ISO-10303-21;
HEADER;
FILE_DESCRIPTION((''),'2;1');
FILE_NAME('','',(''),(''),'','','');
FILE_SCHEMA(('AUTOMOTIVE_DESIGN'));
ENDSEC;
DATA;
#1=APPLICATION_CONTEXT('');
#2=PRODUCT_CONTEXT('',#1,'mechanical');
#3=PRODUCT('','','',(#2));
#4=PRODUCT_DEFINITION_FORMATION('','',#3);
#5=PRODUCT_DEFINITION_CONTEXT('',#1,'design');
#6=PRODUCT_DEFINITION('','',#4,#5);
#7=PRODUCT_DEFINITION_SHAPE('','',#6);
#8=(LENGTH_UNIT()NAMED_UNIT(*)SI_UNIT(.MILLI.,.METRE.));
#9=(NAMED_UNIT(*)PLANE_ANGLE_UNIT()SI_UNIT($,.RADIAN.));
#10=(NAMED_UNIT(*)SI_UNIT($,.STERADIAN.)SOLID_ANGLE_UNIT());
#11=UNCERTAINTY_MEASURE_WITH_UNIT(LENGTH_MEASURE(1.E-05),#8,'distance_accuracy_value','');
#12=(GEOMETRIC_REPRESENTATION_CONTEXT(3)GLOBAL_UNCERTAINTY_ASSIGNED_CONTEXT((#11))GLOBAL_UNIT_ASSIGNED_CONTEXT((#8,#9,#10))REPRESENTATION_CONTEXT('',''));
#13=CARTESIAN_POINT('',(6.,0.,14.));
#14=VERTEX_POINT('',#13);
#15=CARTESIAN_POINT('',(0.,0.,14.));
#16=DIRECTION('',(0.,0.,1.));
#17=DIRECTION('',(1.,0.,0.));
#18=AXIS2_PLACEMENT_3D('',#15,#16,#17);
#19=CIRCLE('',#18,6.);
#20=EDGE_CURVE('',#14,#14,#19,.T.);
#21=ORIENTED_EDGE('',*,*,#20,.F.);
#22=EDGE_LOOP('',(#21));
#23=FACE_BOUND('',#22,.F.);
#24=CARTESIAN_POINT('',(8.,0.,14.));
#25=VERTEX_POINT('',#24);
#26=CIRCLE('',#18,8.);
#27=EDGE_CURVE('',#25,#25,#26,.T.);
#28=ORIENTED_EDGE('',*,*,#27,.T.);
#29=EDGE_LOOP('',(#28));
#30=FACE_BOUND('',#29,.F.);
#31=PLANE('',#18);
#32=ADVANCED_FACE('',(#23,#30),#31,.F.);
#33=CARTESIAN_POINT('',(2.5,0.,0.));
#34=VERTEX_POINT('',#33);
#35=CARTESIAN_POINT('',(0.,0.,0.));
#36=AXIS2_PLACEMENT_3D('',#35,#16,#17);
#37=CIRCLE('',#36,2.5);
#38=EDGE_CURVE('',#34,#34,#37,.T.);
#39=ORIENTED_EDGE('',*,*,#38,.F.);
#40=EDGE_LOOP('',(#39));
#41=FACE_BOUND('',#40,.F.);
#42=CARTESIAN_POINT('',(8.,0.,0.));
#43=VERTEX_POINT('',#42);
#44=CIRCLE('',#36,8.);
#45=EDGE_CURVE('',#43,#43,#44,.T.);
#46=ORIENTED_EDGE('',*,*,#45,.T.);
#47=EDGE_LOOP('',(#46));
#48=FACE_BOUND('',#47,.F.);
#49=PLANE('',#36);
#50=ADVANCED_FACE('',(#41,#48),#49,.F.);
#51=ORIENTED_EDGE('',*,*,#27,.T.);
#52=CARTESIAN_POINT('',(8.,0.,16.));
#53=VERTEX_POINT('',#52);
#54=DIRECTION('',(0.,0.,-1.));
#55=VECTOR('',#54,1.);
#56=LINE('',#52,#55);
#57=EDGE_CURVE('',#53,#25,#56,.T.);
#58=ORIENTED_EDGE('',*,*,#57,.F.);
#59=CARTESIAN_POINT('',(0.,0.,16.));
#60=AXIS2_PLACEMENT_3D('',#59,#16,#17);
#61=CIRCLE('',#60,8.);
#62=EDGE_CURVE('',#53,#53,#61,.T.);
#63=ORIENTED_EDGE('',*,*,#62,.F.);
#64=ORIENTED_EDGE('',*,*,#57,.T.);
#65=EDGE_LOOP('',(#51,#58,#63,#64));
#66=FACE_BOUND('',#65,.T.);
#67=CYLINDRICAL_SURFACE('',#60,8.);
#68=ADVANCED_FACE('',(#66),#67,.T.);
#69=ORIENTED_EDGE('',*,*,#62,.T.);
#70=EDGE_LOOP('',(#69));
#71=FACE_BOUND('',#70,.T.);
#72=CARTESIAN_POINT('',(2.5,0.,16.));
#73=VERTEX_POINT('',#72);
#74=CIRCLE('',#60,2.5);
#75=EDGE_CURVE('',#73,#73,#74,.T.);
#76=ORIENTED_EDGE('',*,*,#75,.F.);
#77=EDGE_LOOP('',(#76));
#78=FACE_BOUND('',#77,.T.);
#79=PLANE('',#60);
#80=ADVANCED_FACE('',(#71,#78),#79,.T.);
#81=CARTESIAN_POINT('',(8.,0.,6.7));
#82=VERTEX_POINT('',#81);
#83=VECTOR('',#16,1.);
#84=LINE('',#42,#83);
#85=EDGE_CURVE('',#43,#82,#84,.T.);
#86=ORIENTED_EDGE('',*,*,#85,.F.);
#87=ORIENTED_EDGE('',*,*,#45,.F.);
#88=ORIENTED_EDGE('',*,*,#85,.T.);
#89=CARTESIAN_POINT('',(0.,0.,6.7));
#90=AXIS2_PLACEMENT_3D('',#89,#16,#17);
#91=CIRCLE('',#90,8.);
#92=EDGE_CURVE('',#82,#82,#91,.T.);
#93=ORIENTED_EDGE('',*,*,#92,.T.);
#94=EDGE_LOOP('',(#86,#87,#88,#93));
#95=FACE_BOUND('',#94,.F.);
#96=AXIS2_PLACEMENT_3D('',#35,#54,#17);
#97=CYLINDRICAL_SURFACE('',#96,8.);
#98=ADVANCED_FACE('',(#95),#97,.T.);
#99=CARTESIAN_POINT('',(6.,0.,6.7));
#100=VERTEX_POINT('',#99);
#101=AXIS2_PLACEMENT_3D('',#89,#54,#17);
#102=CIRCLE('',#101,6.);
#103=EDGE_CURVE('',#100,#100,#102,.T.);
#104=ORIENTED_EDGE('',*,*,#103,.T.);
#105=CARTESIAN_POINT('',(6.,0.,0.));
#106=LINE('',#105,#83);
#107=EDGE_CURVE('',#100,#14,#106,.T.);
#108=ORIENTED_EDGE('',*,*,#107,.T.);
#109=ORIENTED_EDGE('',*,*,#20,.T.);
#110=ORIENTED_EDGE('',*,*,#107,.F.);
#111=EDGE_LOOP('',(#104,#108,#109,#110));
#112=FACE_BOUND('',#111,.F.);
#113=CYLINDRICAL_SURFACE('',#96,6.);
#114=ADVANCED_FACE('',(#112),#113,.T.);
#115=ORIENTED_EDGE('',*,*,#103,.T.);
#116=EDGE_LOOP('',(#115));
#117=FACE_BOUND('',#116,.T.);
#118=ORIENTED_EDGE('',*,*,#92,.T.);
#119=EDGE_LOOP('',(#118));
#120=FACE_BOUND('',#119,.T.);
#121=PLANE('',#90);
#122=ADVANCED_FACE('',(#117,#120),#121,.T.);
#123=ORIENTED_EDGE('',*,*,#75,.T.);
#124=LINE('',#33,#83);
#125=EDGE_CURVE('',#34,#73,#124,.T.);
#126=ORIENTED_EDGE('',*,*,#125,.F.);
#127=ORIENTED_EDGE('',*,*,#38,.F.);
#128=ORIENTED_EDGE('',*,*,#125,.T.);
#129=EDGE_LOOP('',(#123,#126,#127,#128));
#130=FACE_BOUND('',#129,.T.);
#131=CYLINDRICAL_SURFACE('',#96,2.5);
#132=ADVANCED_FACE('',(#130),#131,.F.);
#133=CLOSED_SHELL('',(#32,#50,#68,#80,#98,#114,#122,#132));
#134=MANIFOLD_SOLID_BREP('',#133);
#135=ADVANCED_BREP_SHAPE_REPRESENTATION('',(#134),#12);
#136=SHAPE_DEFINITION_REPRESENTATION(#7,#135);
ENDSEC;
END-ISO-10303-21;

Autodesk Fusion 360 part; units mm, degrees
sketch "Sketch1" plane through (0, 0, 0) normal (0, 0, 1) x (1, 0, 0)
  circle A0 centre (0, 0) radius 8
  circle A1 centre (0, 0) radius 2.5
  circle A2 centre (0, 0) radius 6
  dimension "d1" = 16
  dimension "d2" = 5
  dimension "d3" = 12
extrude "Extrude1" add sketch "Sketch1" along normal blind 6.7 contours A0 | A2
extrude "Extrude2" add sketch "Sketch1" along normal blind 16 contours A2
extrude "Extrude3" add sketch "Sketch1" against normal blind 2 from surface at 16 contours A0
equation "d4 = 16 mm - 7.3 mm - 2 mm"
